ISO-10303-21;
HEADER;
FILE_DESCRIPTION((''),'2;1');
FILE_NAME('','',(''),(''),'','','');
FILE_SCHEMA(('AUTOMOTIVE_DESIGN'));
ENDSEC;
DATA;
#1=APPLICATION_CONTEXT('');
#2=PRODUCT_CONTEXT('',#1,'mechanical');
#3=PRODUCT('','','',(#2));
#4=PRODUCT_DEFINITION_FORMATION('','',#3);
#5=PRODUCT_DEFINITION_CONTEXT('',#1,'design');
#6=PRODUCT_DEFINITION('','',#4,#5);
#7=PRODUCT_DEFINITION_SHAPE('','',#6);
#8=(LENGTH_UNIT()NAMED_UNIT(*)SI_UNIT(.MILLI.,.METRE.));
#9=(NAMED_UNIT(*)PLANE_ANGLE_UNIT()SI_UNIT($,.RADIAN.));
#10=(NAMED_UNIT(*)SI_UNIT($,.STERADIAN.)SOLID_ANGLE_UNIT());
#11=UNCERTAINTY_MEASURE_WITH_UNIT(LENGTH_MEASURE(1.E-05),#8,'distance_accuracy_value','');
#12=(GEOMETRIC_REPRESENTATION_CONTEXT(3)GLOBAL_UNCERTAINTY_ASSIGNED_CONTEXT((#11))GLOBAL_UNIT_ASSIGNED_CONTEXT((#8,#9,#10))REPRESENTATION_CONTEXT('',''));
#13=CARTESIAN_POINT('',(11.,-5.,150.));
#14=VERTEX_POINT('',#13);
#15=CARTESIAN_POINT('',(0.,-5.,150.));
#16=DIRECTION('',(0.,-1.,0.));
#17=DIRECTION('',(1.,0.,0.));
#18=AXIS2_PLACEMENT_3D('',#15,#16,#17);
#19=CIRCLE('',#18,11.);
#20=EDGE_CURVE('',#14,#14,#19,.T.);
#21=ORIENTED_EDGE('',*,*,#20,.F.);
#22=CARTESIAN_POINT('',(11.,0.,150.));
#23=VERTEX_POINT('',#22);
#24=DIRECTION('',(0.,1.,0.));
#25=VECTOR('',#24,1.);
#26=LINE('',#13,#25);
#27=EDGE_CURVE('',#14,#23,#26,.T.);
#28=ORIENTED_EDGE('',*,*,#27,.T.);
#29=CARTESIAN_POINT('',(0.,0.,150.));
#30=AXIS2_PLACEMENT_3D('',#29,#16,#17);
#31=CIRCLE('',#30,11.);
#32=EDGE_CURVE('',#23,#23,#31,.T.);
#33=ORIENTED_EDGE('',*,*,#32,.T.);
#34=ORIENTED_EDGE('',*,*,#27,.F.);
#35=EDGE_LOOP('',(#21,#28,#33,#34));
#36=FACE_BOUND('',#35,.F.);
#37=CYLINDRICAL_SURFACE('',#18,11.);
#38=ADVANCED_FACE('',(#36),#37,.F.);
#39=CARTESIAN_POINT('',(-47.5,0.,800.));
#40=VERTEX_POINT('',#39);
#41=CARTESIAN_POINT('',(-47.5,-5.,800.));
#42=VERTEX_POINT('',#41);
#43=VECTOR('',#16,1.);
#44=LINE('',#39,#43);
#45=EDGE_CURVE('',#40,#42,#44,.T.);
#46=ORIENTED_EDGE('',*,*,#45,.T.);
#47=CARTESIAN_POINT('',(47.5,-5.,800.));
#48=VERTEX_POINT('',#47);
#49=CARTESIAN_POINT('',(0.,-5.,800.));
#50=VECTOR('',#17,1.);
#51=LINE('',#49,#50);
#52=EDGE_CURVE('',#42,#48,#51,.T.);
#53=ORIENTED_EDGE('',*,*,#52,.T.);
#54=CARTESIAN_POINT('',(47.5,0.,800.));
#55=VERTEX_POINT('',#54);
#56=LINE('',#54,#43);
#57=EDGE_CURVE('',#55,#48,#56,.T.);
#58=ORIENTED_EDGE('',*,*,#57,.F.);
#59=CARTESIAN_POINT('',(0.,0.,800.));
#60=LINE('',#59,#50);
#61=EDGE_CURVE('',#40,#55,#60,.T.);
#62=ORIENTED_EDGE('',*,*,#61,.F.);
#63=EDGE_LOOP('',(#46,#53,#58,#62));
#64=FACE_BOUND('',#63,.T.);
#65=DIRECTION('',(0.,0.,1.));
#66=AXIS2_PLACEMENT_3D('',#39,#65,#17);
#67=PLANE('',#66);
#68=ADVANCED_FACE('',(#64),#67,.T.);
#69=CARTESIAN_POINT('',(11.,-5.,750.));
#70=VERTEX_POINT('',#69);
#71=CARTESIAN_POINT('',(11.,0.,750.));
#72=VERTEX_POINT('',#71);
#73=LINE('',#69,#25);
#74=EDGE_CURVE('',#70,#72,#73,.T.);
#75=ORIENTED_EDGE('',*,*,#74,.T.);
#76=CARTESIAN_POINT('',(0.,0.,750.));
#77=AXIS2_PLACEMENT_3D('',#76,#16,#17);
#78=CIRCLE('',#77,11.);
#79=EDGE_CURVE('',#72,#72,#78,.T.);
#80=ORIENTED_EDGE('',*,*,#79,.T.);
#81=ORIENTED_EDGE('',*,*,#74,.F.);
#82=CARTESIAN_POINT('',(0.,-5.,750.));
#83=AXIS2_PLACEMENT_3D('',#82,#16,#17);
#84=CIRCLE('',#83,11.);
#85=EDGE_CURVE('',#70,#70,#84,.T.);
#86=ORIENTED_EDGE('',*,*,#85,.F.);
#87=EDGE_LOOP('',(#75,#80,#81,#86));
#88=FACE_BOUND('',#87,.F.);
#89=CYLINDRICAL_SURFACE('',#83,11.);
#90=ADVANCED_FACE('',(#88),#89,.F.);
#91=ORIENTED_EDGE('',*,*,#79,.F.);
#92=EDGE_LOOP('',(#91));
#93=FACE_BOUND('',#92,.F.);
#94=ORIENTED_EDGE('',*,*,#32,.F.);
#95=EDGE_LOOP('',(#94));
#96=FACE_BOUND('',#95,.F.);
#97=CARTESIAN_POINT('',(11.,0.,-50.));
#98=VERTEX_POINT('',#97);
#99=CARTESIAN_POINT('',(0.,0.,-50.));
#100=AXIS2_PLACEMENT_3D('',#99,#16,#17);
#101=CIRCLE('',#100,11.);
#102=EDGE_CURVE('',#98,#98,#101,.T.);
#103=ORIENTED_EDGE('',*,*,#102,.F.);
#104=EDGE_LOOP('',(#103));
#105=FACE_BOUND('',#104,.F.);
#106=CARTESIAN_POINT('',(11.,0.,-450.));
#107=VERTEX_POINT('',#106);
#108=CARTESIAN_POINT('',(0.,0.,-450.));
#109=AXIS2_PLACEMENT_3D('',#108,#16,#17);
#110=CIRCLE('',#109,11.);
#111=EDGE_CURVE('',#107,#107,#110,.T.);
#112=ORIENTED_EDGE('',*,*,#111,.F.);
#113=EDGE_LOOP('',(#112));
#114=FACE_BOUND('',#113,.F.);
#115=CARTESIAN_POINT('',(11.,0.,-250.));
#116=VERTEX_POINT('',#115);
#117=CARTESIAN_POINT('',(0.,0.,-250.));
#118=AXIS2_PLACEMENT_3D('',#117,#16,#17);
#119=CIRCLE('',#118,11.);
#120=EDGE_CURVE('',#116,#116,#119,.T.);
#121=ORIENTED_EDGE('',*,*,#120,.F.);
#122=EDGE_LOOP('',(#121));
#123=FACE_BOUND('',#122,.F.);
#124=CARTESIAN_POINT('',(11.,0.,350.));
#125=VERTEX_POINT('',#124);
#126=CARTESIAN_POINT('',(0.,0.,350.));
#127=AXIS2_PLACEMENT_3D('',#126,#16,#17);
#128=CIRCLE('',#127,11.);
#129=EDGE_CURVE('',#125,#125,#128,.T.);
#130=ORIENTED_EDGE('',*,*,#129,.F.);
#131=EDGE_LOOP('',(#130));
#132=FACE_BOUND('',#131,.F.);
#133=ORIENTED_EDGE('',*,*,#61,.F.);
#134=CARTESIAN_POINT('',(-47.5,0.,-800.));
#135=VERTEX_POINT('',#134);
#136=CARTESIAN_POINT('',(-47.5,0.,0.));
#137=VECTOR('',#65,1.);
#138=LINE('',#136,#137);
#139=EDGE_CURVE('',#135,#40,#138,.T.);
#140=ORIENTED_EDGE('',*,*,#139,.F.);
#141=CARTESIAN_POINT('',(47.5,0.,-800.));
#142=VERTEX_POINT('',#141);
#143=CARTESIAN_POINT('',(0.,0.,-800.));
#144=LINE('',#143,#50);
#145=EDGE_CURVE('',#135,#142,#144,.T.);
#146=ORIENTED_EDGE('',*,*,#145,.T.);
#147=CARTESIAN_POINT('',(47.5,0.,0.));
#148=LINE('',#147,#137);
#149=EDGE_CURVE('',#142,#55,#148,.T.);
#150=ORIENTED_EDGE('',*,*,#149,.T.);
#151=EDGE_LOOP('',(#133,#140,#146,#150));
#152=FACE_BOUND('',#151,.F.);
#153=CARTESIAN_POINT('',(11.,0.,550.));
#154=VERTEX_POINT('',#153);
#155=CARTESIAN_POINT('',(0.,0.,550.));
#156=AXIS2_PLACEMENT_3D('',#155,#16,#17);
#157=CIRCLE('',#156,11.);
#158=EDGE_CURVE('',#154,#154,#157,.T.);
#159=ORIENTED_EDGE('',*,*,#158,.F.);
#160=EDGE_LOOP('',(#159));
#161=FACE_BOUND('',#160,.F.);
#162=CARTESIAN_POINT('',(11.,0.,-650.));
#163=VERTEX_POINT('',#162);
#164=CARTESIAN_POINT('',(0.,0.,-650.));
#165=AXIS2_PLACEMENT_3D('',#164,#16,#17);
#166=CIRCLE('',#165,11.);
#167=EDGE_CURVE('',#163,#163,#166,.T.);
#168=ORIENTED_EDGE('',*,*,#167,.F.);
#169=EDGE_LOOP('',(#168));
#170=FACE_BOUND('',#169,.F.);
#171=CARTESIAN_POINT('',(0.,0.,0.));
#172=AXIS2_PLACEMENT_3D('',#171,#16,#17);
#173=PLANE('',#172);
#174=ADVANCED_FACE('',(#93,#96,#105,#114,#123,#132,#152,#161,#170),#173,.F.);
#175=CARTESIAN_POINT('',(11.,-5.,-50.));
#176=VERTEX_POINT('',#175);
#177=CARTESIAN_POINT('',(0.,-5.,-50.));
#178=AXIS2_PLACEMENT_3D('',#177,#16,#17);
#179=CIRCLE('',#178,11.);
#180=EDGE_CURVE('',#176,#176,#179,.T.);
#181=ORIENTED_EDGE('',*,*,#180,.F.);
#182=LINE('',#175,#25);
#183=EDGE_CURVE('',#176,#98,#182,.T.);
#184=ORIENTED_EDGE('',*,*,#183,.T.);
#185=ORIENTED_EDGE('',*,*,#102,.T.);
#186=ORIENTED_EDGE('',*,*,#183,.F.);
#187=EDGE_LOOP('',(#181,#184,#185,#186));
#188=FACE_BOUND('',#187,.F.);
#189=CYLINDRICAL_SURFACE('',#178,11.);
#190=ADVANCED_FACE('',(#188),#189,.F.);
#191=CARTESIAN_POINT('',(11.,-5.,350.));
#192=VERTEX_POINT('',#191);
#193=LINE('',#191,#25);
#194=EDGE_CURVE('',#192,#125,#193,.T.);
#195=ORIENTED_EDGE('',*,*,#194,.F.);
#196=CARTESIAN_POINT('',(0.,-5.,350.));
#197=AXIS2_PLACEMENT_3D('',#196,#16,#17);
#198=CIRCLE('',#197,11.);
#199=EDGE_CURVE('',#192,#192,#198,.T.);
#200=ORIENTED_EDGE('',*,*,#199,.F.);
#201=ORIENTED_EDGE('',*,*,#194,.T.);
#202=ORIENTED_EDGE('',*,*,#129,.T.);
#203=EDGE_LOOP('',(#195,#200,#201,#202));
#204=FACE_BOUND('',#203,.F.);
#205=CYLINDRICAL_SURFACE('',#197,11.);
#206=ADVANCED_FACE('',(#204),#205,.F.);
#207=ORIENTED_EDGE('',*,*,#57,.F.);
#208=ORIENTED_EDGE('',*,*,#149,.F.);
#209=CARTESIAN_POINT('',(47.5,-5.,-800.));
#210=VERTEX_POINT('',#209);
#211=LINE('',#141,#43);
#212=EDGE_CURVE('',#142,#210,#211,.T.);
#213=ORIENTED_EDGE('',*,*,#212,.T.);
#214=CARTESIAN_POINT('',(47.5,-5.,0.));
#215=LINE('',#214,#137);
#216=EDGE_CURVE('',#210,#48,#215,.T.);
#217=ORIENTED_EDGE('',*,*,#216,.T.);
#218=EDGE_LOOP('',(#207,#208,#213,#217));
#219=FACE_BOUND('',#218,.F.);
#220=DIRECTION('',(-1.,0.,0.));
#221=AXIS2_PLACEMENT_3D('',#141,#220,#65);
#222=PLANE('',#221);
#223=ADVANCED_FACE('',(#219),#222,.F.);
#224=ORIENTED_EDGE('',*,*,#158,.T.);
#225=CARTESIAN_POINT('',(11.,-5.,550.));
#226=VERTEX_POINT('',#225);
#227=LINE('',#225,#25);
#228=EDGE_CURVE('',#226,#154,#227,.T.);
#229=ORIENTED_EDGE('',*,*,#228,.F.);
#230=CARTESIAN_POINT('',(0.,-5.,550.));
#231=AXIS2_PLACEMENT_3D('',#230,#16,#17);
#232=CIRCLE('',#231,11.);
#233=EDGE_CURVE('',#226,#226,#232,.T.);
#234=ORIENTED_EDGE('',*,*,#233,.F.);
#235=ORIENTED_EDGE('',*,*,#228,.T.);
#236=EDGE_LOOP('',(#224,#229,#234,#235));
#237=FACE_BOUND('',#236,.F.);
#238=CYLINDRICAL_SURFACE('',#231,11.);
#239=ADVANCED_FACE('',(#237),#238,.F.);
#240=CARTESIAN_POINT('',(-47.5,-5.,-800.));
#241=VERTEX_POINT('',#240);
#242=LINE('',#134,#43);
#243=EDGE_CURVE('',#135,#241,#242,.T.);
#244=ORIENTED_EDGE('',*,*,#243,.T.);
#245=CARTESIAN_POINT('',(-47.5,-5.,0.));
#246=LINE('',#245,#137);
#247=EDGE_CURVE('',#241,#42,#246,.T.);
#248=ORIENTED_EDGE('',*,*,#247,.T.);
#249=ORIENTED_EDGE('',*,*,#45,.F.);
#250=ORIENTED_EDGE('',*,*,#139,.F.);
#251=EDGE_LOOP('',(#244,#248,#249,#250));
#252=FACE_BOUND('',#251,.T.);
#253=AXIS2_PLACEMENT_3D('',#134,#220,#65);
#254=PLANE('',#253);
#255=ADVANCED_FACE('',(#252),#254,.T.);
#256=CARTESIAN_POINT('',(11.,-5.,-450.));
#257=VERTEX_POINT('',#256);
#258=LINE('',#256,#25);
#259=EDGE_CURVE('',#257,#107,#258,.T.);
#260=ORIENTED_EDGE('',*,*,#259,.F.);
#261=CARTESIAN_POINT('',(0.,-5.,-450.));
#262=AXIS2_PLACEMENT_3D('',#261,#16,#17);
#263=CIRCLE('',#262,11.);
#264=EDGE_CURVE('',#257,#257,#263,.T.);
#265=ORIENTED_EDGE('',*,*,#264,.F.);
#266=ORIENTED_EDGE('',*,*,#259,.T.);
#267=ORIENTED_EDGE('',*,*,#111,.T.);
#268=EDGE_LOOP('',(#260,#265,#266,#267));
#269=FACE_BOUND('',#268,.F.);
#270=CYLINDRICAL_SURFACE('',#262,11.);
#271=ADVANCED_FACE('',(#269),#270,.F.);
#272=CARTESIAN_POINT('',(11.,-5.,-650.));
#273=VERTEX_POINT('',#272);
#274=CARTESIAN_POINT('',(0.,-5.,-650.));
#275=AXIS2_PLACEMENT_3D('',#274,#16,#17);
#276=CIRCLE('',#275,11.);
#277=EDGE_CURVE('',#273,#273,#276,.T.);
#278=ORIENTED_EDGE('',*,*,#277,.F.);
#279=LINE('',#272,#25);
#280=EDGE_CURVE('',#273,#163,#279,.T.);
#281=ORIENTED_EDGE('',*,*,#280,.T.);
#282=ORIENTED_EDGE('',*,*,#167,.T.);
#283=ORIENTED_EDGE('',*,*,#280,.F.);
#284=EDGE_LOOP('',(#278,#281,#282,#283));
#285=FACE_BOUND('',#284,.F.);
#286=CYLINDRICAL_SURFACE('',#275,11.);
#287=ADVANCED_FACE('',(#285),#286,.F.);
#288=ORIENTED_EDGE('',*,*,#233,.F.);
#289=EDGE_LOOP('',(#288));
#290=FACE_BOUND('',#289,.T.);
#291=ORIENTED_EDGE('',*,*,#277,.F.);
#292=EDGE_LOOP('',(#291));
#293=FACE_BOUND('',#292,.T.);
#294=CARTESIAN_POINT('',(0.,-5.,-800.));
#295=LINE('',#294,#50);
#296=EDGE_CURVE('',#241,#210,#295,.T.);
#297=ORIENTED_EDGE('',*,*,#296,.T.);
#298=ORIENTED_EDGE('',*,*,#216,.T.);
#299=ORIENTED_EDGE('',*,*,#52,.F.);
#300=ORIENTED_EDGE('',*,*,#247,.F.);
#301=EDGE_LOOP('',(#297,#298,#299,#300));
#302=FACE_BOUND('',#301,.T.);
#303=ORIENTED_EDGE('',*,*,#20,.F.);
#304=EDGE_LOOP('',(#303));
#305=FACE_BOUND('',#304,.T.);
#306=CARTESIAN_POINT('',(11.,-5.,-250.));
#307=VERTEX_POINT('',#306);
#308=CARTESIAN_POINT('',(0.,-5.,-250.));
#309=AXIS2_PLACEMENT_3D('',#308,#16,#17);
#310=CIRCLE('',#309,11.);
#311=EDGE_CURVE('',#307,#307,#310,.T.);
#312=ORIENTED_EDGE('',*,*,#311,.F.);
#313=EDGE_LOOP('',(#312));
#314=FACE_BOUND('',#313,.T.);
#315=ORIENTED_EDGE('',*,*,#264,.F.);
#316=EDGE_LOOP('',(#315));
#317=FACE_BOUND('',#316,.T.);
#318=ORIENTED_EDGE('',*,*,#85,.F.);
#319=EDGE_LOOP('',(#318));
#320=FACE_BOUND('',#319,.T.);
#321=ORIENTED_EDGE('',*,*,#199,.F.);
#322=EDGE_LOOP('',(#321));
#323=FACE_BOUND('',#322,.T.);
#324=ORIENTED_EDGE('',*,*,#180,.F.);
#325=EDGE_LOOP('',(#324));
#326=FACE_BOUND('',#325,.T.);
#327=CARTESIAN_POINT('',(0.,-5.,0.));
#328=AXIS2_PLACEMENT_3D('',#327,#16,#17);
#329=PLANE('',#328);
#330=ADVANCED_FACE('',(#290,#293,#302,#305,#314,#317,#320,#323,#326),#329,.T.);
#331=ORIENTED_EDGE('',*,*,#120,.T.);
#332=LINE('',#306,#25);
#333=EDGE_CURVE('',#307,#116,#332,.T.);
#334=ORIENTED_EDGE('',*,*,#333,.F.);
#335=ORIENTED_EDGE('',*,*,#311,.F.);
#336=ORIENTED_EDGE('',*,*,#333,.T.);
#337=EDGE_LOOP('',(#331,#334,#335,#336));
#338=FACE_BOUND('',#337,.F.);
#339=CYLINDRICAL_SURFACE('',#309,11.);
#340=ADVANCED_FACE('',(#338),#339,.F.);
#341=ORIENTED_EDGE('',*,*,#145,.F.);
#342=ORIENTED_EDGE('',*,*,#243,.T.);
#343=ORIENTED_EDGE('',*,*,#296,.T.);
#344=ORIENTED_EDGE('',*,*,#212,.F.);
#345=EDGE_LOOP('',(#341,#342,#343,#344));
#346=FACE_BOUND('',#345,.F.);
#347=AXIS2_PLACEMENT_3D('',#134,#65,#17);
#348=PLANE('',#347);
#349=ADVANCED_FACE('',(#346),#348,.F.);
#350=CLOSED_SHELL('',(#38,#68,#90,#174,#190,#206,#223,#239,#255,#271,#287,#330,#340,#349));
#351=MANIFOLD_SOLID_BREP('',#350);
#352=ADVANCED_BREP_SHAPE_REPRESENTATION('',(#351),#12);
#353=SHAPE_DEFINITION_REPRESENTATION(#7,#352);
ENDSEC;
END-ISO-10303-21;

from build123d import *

# Parameters (mm, degrees)
F0_W     = 95
F0_H     = 1600
F1_DEPTH = 5
F2_R     = 11
F3_DEPTH = 25


with BuildPart() as f1:
    # F0 (on Front) → F1 (new body)
    with BuildSketch(Plane.XZ):
        Rectangle(F0_W, F0_H)
    extrude(amount=F1_DEPTH)

    # F2 (on face) → F3 (cut)
    with BuildSketch(Plane.XZ.offset(5)):
        with Locations((0, -250)):
            Circle(F2_R)
        with Locations((0, -50)):
            Circle(F2_R)
        with Locations((0, 150)):
            Circle(F2_R)
        with Locations((0, 350)):
            Circle(F2_R)
        with Locations((0, 550)):
            Circle(F2_R)
        with Locations((0, 750)):
            Circle(F2_R)
        with Locations((0, -450)):
            Circle(F2_R)
        with Locations((0, -650)):
            Circle(F2_R)
    extrude(amount=-F3_DEPTH, mode=Mode.SUBTRACT)


solid = f1.part
